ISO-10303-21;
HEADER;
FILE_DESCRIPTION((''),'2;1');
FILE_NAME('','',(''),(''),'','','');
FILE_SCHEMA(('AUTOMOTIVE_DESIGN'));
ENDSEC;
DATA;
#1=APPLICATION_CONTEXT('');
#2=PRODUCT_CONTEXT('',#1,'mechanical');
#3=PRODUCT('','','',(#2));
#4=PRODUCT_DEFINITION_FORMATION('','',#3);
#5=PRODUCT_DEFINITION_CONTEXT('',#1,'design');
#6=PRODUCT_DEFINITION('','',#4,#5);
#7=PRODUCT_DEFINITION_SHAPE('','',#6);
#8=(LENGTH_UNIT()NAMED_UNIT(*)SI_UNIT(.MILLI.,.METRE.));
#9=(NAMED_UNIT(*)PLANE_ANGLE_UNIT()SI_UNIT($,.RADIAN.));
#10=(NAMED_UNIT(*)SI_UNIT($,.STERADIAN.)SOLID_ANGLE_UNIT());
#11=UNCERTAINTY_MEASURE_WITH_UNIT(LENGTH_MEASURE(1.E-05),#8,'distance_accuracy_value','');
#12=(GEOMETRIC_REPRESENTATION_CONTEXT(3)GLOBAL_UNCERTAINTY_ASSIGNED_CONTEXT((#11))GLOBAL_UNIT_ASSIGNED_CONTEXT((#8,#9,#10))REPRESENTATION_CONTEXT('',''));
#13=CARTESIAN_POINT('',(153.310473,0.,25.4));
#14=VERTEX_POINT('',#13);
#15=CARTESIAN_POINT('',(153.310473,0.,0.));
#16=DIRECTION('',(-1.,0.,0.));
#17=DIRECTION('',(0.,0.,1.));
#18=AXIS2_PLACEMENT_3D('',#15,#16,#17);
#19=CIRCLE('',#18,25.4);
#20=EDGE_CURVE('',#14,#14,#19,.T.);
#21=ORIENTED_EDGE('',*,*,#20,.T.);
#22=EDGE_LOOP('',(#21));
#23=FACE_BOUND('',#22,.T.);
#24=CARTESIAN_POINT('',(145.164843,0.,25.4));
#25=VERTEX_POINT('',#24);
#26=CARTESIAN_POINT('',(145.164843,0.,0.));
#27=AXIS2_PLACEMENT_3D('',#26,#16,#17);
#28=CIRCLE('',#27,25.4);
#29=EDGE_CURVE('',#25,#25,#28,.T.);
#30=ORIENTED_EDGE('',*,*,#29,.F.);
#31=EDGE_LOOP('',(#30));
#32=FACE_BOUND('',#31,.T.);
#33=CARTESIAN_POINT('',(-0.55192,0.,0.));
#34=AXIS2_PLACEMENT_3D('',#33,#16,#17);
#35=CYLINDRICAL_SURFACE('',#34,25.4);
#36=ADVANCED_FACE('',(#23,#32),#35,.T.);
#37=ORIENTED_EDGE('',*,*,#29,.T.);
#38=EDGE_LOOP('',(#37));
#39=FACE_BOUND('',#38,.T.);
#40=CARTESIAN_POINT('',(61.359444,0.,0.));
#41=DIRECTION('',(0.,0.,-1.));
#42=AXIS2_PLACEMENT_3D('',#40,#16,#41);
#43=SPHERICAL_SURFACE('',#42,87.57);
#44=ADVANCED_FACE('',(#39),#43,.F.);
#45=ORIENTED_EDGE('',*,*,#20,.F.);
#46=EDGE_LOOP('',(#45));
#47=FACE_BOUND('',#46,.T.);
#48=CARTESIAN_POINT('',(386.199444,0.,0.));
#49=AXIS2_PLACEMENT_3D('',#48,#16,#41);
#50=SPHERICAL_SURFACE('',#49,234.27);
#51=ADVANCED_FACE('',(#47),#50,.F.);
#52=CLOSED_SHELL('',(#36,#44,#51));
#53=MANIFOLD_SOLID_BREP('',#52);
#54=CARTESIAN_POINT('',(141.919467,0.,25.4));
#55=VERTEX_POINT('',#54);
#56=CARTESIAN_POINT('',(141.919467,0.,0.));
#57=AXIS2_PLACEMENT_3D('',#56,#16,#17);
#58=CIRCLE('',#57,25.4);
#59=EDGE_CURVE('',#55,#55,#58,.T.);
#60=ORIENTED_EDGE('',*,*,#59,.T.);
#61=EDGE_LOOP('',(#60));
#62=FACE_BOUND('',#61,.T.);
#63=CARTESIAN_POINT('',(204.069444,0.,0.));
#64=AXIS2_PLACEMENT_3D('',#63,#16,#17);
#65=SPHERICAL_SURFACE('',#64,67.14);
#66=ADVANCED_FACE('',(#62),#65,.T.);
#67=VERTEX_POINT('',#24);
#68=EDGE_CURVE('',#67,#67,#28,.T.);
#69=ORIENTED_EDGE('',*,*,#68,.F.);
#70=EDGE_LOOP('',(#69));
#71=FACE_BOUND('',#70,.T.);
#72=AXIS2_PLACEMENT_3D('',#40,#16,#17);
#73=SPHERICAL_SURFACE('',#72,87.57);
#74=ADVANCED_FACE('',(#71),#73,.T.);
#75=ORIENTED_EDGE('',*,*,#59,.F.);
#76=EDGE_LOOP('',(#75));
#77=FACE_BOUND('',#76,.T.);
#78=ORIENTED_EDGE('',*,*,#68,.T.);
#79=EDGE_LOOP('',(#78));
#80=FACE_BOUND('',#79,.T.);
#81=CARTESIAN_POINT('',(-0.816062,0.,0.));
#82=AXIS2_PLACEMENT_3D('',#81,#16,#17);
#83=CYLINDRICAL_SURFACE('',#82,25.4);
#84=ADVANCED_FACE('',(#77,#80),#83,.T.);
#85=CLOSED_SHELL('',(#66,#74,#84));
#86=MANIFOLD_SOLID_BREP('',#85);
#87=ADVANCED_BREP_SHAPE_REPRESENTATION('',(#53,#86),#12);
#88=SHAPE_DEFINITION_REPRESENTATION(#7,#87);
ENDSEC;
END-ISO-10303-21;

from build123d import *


with BuildPart() as part:
    # 草图1 one side → 旋转1 (revolve)
    with BuildSketch(Plane(origin=(0, 0, 0), x_dir=(1, 0, 0), z_dir=(0, 1, 0)), mode=Mode.PRIVATE) as revolve_1_sk:
        with BuildLine():
            ThreePointArc((141.919467113, 25.4), (138.18875984, 12.942761808), (136.929443783, 0))
            Line((136.929443783, 0), (148.929443783, 0))
            ThreePointArc((148.929443783, 0), (147.983180973, 12.838732616), (145.164842773, 25.4))
            Line((145.164842773, 25.4), (141.919467113, 25.4))
        make_face()
    revolve(revolve_1_sk.sketch.rotate(Axis((-0.816062176, 0, 0), (1, 0, 0)), 180), axis=Axis((-0.816062176, 0, 0), (1, 0, 0)))  # turned: the seam where the file's is


with BuildPart() as body_2:
    # 草图2 one side → 旋转2 (revolve)
    with BuildSketch(Plane(origin=(0, 0, 0), x_dir=(1, 0, 0), z_dir=(0, 1, 0)), mode=Mode.PRIVATE) as revolve_2_sk:
        with BuildLine():
            Line((153.310472597, 25.4), (145.164842773, 25.4))
            ThreePointArc((145.164842773, 25.4), (147.983180973, 12.838732616), (148.929443783, 0))
            Line((148.929443783, 0), (151.929443783, 0))
            ThreePointArc((151.929443783, 0), (152.274955774, 12.7187582), (153.310472597, 25.4))
        make_face()
    revolve(revolve_2_sk.sketch.rotate(Axis((-0.551919993, 0, 0), (1, 0, 0)), 180), axis=Axis((-0.551919993, 0, 0), (1, 0, 0)))  # turned: the seam where the file's is


solid = Compound([part.part, body_2.part])
